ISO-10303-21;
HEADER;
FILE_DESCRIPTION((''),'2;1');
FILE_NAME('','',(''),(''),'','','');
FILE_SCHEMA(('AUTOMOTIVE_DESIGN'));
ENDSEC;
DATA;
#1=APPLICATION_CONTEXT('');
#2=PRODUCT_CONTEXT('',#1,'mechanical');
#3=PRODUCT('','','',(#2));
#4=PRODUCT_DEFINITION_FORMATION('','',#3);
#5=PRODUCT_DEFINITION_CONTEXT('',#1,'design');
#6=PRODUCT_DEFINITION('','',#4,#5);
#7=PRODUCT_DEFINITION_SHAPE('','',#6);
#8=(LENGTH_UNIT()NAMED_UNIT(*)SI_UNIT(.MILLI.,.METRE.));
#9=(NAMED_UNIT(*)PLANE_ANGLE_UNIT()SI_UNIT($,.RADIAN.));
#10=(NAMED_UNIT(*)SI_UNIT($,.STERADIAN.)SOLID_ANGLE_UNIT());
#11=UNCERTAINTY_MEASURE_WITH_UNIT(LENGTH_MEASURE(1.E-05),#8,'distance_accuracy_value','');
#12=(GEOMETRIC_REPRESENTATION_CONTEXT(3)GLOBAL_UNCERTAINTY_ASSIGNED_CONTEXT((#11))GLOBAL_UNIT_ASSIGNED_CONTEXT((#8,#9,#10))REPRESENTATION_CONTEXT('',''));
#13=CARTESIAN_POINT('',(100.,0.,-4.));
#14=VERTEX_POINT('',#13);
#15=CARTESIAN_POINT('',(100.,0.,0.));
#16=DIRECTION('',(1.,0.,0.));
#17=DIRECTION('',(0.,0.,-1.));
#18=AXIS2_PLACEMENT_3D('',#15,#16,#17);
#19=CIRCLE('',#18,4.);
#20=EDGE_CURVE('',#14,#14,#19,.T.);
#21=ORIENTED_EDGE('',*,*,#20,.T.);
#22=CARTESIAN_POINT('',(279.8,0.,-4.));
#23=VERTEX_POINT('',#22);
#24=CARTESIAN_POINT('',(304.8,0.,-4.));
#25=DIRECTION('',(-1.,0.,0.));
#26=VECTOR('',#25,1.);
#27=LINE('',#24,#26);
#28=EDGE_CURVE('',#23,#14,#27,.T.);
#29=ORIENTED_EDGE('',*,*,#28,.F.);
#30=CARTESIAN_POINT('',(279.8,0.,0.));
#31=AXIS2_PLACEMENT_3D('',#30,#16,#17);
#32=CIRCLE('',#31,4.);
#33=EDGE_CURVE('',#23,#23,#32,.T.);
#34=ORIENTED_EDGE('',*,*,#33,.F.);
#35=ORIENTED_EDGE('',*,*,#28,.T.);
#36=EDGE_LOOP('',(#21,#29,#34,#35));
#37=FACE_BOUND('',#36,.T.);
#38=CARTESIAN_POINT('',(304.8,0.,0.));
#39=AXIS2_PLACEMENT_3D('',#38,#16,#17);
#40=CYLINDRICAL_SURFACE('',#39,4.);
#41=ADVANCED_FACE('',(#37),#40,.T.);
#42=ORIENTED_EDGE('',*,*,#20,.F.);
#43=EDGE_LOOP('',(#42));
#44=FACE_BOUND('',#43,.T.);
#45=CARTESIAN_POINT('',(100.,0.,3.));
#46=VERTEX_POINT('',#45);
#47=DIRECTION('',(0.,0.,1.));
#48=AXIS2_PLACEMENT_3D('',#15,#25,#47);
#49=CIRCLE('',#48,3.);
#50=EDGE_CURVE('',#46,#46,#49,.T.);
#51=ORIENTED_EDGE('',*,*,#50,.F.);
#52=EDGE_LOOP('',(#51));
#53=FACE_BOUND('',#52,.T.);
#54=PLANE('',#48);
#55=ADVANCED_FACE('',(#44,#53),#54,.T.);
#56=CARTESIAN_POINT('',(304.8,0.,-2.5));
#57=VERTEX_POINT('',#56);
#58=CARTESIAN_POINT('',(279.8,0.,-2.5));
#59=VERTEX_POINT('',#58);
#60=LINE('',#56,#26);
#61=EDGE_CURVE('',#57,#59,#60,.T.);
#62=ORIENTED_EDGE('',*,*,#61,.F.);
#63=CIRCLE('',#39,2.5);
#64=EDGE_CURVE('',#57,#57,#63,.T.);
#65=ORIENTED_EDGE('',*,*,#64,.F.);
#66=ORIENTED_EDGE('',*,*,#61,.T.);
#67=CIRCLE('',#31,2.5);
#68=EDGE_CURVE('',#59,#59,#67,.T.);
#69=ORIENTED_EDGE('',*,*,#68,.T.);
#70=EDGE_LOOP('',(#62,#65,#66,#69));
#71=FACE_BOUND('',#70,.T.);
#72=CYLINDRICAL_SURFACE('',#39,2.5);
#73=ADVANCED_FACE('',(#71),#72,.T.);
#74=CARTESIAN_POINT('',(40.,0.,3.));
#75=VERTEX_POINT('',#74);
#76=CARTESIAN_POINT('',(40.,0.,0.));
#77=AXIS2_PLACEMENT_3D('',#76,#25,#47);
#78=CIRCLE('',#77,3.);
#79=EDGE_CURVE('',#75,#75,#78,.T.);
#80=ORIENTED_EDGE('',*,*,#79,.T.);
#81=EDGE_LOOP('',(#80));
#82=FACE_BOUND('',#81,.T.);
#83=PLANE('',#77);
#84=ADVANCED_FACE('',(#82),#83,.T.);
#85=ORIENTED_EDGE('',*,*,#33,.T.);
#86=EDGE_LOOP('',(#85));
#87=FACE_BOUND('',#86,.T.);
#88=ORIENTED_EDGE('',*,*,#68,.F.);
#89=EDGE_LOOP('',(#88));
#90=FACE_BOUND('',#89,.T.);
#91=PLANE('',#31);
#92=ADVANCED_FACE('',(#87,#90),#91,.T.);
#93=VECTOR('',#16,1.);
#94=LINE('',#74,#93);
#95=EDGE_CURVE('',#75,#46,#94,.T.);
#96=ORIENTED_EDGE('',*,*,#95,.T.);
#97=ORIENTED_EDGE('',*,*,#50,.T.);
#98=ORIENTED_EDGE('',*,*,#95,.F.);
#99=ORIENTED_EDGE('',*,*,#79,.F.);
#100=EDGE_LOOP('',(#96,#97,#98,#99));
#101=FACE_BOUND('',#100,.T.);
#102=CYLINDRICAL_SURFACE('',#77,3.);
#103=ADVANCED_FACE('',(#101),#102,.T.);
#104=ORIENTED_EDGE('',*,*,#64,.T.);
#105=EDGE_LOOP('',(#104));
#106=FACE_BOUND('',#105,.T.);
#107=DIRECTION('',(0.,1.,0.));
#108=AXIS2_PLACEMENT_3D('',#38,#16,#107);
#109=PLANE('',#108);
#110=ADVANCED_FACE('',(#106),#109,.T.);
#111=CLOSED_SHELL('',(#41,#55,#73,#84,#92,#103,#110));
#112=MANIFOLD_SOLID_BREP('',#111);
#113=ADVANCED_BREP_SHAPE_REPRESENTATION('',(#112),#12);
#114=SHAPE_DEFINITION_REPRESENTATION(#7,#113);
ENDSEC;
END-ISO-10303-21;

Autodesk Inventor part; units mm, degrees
ref_plane "YZ Plane" through (0, 0, 0) normal (1, 0, 0) x (0, 1, 0)
ref_plane "XZ Plane" through (0, 0, 0) normal (0, 1, 0) x (-1, 0, 0)
ref_plane "XY Plane" through (0, 0, 0) normal (0, 0, 1) x (1, 0, 0)
sketch "Sketch1" plane through (0, 0, 0) normal (1, 0, 0) x (0, 1, 0)
  circle A0 centre (0, 0) radius 6.35
  dimension "d0" = 12.7
extrude "Extrusion1" add sketch "Sketch1" along normal blind 304.8
sketch "Sketch2" plane through (304.8, 0, 0) normal (1, 0, 0) x (0, 0, -1)
  circle A0 centre (0, 0) radius 4.7625
  circle A1 centre (0, 0) radius 6.35
  dimension "d3" = 9.525
extrude "Extrusion2" cut sketch "Sketch2" against normal blind 385.2875
sketch "Sketch3" plane through (304.8, 0, 0) normal (1, 0, 0) x (0, 0, -1)
  circle A0 centre (0, 0) radius 4
  circle A1 centre (0, 0) radius 4.7625 projected
  dimension "d6" = 8
extrude "Extrusion3" cut sketch "Sketch3" against normal blind 369.4125
sketch "Sketch4" plane through (304.8, 0, 0) normal (1, 0, 0) x (0, 0, -1)
  circle A0 centre (0, 0) radius 3
  circle A1 centre (0, 0) radius 4 projected
  dimension "d9" = 6
extrude "Extrusion4" cut sketch "Sketch4" against normal blind 25
sketch "Sketch5" plane through (0, 0, 0) normal (-1, 0, 0) x (0, 0, 1)
  circle A0 centre (0, 0) radius 2.5
  circle A1 centre (0, 0) radius 4 projected
  dimension "d12" = 5
extrude "Extrusion5" cut sketch "Sketch5" against normal blind 25
sketch "Sketch7" plane through (304.8, 0, 0) normal (1, 0, 0) x (0, 0, -1)
  circle A0 centre (0, 0) radius 2.5
  circle A1 centre (0, 0) radius 3 projected
  dimension "d15" = 5
extrude "Extrusion6" cut sketch "Sketch7" against normal blind 25
sketch "Sketch8" plane through (0, 0, 0) normal (-1, 0, 0) x (0, 0, 1)
  circle A0 centre (0, 0) radius 4
  dimension "d18" = 8
extrude "Extrusion7" cut sketch "Sketch8" against normal blind 100
sketch "Sketch9" plane through (100, 0, 0) normal (-1, 0, 0) x (0, 0, 1)
  circle A0 centre (0, 0) radius 4 projected
extrude "Extrusion8" add sketch "Sketch9" along normal blind 60
sketch "Sketch10" plane through (40, 0, 0) normal (-1, 0, 0) x (0, 0, 1)
  circle A0 centre (0, 0) radius 3
  circle A1 centre (0, 0) radius 4 projected
  dimension "d23" = 6
extrude "Extrusion9" cut sketch "Sketch10" against normal blind 60
properties part number "Lead_Shaft" material "Steel, Carbon"
